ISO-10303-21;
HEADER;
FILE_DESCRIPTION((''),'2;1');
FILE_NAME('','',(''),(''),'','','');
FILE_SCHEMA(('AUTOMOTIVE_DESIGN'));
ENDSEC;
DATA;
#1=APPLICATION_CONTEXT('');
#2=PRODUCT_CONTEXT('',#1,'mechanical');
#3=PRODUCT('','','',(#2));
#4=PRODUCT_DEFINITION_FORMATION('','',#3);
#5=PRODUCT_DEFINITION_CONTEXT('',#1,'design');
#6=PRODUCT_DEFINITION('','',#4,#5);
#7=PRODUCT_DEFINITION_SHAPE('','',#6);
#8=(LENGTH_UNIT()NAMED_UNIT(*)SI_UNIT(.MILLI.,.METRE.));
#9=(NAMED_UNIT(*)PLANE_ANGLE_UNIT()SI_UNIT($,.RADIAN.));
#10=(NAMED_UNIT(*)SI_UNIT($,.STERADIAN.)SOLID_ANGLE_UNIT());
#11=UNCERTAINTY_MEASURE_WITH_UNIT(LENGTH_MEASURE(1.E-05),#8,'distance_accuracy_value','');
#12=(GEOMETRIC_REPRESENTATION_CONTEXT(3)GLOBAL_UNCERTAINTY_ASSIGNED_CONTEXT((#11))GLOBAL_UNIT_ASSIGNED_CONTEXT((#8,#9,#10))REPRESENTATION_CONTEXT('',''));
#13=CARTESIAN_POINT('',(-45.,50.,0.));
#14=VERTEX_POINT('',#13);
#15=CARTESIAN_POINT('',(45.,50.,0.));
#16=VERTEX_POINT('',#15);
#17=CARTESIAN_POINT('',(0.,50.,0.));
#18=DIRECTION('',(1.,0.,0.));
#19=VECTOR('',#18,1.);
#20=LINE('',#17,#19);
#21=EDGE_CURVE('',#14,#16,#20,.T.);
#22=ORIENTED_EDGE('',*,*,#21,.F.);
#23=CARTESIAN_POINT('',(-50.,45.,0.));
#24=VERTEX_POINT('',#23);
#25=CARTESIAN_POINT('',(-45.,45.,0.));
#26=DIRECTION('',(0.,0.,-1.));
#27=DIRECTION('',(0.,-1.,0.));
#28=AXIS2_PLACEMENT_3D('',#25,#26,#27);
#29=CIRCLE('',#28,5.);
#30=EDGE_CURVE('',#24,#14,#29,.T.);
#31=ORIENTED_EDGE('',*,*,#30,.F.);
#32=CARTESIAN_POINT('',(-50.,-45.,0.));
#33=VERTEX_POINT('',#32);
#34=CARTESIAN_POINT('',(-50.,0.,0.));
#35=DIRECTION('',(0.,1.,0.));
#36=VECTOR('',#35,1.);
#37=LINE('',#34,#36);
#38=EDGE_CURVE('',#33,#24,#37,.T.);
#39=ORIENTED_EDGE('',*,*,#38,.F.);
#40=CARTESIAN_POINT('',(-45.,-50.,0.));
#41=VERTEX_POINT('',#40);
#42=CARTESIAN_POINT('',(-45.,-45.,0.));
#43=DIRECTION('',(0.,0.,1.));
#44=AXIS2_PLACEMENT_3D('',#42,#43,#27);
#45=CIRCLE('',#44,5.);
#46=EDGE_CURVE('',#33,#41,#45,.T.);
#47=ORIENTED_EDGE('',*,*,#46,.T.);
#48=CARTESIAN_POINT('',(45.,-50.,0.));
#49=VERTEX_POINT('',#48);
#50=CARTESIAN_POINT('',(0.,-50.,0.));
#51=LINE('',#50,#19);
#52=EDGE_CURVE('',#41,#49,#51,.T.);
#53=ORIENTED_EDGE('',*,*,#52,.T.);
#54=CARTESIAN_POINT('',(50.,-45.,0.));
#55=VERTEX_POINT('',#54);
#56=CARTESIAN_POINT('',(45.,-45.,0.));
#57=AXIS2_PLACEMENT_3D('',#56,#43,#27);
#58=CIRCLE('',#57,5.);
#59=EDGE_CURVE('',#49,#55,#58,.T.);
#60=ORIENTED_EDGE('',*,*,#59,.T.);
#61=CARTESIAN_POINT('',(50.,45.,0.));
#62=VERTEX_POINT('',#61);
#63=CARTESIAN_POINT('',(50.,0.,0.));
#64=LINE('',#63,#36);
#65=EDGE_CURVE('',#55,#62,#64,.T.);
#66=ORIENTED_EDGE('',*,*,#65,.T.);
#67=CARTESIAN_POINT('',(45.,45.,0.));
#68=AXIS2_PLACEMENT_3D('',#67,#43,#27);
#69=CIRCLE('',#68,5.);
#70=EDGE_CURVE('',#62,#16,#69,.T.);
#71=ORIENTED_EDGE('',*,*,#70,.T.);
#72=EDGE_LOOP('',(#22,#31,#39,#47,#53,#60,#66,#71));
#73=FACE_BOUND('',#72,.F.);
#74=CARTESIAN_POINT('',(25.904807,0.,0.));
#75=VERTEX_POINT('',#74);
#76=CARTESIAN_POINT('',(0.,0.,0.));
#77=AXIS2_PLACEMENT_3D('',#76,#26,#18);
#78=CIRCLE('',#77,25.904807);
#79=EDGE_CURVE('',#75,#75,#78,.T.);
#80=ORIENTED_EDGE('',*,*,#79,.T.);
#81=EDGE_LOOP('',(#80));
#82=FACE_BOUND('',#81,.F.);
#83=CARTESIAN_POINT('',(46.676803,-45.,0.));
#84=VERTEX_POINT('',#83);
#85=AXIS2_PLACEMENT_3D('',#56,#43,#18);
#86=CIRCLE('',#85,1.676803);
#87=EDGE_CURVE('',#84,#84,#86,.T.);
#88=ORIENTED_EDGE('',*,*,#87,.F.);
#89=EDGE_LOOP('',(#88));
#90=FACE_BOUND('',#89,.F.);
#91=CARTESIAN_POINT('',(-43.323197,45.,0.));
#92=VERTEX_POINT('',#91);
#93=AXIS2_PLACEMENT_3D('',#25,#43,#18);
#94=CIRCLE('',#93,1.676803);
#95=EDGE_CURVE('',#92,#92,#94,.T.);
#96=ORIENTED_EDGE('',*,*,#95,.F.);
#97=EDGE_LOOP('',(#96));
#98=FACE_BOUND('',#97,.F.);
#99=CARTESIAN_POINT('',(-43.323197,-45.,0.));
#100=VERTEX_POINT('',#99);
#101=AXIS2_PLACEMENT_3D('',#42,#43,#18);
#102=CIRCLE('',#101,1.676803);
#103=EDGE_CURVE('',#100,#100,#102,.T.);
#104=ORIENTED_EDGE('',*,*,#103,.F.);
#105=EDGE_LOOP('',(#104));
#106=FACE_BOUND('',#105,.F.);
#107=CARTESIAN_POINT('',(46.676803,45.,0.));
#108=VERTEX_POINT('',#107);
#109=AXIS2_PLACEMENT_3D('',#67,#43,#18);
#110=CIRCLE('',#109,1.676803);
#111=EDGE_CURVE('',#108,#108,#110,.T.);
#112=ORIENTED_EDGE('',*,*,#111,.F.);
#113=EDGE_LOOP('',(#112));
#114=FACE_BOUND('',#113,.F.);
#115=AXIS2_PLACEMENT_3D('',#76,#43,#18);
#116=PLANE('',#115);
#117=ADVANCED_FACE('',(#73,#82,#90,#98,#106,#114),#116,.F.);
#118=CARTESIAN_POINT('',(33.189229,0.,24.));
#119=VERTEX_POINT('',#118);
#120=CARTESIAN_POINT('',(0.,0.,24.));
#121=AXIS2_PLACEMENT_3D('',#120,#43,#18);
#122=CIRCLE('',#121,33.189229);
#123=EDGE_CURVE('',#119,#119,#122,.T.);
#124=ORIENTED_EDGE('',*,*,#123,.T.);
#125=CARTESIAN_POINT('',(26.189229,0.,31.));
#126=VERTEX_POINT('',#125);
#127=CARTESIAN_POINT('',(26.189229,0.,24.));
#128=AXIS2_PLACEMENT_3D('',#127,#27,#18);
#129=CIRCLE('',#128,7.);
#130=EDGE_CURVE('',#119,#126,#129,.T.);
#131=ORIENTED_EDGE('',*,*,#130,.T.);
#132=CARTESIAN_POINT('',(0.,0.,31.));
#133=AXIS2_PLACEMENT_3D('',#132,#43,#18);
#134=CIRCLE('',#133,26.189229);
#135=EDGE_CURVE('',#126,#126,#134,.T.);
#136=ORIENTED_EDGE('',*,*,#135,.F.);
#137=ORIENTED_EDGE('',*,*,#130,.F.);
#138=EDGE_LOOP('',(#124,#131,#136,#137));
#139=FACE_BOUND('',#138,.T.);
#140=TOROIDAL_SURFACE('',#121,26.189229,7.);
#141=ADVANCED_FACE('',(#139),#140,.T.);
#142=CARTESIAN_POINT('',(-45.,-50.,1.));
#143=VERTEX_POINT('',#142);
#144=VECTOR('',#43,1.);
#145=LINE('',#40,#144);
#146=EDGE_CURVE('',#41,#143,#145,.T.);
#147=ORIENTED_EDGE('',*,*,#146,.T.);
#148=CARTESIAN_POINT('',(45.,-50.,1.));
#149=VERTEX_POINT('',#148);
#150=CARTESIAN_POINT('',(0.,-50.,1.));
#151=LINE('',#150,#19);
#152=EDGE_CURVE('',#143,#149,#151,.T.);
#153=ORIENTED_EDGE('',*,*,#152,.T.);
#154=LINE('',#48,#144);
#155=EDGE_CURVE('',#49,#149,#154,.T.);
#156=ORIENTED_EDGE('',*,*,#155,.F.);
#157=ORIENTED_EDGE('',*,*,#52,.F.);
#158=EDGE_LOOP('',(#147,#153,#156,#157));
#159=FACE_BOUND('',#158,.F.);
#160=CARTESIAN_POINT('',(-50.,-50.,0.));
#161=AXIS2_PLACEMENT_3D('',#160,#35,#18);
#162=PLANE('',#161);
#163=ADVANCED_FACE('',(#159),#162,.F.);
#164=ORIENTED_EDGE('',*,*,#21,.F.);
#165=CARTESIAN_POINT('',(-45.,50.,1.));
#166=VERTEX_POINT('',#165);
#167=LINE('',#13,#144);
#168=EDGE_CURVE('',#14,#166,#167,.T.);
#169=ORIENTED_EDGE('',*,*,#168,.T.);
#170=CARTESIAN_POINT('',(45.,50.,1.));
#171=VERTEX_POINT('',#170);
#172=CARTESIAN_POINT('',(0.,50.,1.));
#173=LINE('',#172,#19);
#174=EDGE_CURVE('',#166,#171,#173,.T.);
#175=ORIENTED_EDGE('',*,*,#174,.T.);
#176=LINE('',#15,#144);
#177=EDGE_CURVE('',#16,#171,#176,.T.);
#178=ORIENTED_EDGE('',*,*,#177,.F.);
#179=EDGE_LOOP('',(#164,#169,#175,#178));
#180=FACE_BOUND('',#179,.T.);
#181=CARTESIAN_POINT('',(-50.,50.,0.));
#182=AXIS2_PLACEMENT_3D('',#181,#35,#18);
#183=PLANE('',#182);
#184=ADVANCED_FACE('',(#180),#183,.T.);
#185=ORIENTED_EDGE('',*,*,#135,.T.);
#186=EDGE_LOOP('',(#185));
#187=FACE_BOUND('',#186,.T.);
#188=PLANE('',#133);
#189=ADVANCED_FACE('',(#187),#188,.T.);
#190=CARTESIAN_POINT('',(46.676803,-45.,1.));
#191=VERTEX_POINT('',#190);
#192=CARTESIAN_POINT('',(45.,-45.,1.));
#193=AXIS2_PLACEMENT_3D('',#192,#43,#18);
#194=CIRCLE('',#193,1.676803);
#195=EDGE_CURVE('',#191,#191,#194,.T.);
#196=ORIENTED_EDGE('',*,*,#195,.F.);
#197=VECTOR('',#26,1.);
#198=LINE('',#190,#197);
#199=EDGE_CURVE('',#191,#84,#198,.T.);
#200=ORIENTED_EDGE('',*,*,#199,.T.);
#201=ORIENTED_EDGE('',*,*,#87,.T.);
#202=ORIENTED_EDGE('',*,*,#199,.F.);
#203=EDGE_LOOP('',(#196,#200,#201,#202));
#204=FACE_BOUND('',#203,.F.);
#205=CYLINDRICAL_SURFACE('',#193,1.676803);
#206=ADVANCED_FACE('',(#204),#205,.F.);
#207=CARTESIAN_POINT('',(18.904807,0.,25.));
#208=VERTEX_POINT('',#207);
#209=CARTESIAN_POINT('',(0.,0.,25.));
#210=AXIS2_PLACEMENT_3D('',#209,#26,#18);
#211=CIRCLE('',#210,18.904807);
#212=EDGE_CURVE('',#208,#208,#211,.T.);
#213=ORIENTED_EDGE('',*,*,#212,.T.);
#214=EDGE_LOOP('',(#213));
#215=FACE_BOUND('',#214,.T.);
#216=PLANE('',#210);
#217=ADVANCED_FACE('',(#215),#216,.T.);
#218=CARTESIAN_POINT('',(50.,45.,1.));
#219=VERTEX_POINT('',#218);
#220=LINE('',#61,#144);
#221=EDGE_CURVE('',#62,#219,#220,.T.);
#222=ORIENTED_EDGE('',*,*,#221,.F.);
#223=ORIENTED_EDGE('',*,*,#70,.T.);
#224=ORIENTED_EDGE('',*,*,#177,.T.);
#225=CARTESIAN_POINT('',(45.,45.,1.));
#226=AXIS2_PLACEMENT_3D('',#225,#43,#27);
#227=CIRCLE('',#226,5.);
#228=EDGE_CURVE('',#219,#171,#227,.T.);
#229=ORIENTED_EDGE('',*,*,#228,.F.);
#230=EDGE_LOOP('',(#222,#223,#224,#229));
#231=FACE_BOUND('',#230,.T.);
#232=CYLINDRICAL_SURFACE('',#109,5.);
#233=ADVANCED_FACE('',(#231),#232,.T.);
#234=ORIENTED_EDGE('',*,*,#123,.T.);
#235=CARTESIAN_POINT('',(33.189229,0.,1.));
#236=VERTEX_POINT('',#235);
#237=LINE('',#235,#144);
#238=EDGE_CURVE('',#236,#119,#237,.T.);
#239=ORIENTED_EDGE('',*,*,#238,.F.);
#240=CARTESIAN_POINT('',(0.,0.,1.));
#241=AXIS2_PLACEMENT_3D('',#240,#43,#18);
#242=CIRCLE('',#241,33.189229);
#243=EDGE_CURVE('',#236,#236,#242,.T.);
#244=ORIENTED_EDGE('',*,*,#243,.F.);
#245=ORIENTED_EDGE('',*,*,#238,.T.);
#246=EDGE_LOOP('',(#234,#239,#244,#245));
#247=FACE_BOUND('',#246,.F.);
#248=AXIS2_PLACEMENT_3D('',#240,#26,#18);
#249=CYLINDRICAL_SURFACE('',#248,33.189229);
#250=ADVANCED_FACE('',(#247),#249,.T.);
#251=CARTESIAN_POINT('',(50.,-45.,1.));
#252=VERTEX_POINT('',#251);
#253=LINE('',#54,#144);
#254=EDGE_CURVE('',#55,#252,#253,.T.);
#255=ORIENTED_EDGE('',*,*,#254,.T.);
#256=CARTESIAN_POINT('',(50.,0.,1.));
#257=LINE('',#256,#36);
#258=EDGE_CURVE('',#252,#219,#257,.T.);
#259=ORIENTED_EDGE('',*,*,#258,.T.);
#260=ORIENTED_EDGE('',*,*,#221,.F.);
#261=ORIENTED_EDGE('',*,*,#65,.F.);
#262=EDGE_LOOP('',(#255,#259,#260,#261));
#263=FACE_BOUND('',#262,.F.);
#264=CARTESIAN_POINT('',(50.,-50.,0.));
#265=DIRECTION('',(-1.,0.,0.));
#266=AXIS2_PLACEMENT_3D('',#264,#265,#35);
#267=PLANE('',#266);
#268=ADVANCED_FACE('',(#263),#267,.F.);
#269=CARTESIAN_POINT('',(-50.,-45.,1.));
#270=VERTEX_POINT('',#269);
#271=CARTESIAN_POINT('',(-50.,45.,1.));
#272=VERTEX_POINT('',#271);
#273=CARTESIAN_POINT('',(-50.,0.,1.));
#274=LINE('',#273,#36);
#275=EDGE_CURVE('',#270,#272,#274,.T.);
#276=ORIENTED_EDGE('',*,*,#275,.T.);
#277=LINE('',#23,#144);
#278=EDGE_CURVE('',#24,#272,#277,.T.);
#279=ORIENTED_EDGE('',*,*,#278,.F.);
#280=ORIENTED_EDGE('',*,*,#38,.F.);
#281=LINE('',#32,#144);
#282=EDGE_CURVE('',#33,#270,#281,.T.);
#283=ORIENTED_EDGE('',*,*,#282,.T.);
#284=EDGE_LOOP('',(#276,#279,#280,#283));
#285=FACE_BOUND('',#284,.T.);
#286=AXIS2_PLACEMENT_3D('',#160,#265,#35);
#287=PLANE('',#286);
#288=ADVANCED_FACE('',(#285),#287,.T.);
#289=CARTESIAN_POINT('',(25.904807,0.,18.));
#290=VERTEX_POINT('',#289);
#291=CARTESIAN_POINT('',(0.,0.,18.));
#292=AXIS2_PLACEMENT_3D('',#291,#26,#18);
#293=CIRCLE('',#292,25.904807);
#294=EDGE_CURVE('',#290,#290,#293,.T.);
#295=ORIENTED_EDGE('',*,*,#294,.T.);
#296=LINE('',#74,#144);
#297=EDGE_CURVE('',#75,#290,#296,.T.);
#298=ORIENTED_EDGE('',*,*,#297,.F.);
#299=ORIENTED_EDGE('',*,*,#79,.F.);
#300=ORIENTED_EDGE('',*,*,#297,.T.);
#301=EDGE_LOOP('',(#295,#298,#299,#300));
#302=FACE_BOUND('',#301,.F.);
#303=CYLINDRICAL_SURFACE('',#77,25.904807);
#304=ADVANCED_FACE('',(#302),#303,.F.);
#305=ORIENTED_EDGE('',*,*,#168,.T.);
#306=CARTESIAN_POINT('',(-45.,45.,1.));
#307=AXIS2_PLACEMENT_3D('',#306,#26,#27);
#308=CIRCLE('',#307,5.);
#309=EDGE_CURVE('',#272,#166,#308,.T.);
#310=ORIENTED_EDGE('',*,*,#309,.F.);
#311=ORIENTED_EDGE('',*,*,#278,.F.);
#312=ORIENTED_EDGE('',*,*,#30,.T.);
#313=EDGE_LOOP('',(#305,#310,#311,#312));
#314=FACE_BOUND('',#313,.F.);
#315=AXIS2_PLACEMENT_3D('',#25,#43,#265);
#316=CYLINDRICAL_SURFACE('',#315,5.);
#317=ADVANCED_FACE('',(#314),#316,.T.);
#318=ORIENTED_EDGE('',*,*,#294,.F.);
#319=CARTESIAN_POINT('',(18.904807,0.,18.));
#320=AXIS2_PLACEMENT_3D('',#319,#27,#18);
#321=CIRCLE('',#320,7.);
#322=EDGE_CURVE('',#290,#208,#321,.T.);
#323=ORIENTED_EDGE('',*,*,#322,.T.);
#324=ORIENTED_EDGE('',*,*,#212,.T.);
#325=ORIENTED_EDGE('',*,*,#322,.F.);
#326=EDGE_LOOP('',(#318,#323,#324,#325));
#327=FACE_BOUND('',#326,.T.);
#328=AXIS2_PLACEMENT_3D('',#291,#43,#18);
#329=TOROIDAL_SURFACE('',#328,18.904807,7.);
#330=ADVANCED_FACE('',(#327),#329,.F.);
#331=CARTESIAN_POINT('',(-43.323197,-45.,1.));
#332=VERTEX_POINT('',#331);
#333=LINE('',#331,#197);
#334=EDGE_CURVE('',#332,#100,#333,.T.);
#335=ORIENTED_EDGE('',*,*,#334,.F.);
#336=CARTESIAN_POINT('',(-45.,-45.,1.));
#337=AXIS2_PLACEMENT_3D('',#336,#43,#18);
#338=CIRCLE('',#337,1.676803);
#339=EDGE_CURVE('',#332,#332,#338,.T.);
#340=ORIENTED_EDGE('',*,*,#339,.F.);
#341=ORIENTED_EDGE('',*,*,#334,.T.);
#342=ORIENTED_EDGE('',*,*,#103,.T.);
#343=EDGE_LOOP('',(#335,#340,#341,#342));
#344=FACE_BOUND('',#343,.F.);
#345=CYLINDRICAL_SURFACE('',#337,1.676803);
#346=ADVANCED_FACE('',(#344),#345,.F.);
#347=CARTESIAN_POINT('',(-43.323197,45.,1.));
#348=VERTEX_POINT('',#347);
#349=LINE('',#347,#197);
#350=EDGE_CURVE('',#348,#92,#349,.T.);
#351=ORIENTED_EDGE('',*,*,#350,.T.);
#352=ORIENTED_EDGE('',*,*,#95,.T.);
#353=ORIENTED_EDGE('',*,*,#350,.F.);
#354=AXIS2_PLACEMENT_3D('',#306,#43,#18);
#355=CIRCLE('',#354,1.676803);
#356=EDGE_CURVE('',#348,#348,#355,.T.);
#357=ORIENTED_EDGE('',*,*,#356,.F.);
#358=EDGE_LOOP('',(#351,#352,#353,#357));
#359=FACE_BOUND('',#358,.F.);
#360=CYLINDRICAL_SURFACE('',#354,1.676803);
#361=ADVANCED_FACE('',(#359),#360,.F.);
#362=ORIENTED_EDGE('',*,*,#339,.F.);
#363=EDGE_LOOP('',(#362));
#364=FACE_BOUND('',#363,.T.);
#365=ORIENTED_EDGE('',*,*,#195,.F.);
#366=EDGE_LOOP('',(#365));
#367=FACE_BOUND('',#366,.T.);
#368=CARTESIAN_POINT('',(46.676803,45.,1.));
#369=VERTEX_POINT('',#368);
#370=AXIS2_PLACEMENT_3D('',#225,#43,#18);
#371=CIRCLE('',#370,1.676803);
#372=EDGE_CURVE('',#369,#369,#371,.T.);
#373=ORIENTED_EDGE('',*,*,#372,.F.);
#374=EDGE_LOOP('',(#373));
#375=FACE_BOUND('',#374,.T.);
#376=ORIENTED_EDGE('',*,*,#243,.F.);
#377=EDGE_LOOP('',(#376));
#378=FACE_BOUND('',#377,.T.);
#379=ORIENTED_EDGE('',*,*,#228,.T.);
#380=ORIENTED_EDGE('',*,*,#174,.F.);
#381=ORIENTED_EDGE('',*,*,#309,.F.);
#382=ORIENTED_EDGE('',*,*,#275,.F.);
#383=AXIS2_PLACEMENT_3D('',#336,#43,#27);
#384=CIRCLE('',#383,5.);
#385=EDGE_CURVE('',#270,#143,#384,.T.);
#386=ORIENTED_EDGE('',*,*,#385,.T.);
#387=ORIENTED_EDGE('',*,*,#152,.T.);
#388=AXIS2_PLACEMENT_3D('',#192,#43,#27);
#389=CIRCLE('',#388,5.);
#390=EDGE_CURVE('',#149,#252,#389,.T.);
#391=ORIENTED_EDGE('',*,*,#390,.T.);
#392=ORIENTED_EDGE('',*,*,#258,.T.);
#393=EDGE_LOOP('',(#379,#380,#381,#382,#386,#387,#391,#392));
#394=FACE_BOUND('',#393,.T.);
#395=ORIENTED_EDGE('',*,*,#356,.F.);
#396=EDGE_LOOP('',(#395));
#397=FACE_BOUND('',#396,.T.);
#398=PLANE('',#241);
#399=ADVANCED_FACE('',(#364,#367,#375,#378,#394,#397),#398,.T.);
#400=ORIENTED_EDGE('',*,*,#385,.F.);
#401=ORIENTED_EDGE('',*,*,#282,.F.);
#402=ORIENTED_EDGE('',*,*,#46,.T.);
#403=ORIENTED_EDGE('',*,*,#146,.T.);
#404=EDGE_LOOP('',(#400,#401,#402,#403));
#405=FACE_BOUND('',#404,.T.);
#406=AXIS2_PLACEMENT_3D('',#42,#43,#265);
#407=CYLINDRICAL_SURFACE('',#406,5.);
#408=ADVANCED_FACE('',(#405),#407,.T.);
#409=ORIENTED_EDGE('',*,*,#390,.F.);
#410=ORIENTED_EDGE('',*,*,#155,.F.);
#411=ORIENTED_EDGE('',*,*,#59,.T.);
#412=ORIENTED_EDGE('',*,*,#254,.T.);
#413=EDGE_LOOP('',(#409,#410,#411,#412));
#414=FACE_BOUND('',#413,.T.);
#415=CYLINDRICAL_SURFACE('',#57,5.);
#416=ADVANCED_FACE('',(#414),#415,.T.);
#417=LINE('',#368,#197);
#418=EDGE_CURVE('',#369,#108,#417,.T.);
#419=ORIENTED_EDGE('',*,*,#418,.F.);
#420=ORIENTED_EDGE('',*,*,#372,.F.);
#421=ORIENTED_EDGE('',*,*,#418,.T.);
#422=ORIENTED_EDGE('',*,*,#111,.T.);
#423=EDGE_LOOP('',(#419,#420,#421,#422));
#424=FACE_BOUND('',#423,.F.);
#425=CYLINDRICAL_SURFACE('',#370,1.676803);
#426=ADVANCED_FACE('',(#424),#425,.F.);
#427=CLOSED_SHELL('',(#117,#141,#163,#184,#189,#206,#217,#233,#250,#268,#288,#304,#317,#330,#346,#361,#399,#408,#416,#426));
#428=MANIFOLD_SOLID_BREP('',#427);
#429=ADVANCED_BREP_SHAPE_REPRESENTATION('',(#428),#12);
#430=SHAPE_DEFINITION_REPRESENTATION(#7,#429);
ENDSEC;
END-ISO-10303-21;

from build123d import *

# Parameters (mm, degrees)
F0_W     = 100
F0_H     = 100
F1_DEPTH = 1
F2_R     = 5
F3_R     = 1.676803
F4_DEPTH = 25
F5_R     = 33.189229
F6_DEPTH = 30
F7_R     = 25.904807
F8_DEPTH = 25
F9_R     = 7


with BuildPart() as f1:
    # F0 (on Top) → F1 (new body)
    with BuildSketch(Plane.XY):
        Rectangle(F0_W, F0_H)
    extrude(amount=F1_DEPTH)

    # F2
    f2_edges = [f1.edges().sort_by_distance(p)[0] for p in [
        (50, -50, 0.5),
        (-50, -50, 0.5),
        (-50, 50, 0.5),
        (50, 50, 0.5),
    ]]
    fillet(f2_edges, radius=F2_R)

    # F3 (on face) → F4 (cut)
    with BuildSketch(Plane.XY.offset(1)):
        with Locations((45, 45)):
            Circle(F3_R)
        with Locations((-45, 45)):
            Circle(F3_R)
        with Locations((-45, -45)):
            Circle(F3_R)
        with Locations((45, -45)):
            Circle(F3_R)
    extrude(amount=-F4_DEPTH, mode=Mode.SUBTRACT)

    # F5 (on face) → F6 (join)
    with BuildSketch(Plane.XY.offset(1)):
        Circle(F5_R)
    extrude(amount=F6_DEPTH)

    # F7 (on face) → F8 (cut)
    with BuildSketch(Plane(origin=(0, 0, 0), x_dir=(1, 0, 0), z_dir=(0, 0, -1))):
        Circle(F7_R)
    extrude(amount=-F8_DEPTH, mode=Mode.SUBTRACT)

    # F9
    f9_edges = [f1.edges().sort_by_distance(p)[0] for p in [
        (-33.189229, 0, 31),
        (-25.904807, 0, 25),
    ]]
    fillet(f9_edges, radius=F9_R)


solid = f1.part
